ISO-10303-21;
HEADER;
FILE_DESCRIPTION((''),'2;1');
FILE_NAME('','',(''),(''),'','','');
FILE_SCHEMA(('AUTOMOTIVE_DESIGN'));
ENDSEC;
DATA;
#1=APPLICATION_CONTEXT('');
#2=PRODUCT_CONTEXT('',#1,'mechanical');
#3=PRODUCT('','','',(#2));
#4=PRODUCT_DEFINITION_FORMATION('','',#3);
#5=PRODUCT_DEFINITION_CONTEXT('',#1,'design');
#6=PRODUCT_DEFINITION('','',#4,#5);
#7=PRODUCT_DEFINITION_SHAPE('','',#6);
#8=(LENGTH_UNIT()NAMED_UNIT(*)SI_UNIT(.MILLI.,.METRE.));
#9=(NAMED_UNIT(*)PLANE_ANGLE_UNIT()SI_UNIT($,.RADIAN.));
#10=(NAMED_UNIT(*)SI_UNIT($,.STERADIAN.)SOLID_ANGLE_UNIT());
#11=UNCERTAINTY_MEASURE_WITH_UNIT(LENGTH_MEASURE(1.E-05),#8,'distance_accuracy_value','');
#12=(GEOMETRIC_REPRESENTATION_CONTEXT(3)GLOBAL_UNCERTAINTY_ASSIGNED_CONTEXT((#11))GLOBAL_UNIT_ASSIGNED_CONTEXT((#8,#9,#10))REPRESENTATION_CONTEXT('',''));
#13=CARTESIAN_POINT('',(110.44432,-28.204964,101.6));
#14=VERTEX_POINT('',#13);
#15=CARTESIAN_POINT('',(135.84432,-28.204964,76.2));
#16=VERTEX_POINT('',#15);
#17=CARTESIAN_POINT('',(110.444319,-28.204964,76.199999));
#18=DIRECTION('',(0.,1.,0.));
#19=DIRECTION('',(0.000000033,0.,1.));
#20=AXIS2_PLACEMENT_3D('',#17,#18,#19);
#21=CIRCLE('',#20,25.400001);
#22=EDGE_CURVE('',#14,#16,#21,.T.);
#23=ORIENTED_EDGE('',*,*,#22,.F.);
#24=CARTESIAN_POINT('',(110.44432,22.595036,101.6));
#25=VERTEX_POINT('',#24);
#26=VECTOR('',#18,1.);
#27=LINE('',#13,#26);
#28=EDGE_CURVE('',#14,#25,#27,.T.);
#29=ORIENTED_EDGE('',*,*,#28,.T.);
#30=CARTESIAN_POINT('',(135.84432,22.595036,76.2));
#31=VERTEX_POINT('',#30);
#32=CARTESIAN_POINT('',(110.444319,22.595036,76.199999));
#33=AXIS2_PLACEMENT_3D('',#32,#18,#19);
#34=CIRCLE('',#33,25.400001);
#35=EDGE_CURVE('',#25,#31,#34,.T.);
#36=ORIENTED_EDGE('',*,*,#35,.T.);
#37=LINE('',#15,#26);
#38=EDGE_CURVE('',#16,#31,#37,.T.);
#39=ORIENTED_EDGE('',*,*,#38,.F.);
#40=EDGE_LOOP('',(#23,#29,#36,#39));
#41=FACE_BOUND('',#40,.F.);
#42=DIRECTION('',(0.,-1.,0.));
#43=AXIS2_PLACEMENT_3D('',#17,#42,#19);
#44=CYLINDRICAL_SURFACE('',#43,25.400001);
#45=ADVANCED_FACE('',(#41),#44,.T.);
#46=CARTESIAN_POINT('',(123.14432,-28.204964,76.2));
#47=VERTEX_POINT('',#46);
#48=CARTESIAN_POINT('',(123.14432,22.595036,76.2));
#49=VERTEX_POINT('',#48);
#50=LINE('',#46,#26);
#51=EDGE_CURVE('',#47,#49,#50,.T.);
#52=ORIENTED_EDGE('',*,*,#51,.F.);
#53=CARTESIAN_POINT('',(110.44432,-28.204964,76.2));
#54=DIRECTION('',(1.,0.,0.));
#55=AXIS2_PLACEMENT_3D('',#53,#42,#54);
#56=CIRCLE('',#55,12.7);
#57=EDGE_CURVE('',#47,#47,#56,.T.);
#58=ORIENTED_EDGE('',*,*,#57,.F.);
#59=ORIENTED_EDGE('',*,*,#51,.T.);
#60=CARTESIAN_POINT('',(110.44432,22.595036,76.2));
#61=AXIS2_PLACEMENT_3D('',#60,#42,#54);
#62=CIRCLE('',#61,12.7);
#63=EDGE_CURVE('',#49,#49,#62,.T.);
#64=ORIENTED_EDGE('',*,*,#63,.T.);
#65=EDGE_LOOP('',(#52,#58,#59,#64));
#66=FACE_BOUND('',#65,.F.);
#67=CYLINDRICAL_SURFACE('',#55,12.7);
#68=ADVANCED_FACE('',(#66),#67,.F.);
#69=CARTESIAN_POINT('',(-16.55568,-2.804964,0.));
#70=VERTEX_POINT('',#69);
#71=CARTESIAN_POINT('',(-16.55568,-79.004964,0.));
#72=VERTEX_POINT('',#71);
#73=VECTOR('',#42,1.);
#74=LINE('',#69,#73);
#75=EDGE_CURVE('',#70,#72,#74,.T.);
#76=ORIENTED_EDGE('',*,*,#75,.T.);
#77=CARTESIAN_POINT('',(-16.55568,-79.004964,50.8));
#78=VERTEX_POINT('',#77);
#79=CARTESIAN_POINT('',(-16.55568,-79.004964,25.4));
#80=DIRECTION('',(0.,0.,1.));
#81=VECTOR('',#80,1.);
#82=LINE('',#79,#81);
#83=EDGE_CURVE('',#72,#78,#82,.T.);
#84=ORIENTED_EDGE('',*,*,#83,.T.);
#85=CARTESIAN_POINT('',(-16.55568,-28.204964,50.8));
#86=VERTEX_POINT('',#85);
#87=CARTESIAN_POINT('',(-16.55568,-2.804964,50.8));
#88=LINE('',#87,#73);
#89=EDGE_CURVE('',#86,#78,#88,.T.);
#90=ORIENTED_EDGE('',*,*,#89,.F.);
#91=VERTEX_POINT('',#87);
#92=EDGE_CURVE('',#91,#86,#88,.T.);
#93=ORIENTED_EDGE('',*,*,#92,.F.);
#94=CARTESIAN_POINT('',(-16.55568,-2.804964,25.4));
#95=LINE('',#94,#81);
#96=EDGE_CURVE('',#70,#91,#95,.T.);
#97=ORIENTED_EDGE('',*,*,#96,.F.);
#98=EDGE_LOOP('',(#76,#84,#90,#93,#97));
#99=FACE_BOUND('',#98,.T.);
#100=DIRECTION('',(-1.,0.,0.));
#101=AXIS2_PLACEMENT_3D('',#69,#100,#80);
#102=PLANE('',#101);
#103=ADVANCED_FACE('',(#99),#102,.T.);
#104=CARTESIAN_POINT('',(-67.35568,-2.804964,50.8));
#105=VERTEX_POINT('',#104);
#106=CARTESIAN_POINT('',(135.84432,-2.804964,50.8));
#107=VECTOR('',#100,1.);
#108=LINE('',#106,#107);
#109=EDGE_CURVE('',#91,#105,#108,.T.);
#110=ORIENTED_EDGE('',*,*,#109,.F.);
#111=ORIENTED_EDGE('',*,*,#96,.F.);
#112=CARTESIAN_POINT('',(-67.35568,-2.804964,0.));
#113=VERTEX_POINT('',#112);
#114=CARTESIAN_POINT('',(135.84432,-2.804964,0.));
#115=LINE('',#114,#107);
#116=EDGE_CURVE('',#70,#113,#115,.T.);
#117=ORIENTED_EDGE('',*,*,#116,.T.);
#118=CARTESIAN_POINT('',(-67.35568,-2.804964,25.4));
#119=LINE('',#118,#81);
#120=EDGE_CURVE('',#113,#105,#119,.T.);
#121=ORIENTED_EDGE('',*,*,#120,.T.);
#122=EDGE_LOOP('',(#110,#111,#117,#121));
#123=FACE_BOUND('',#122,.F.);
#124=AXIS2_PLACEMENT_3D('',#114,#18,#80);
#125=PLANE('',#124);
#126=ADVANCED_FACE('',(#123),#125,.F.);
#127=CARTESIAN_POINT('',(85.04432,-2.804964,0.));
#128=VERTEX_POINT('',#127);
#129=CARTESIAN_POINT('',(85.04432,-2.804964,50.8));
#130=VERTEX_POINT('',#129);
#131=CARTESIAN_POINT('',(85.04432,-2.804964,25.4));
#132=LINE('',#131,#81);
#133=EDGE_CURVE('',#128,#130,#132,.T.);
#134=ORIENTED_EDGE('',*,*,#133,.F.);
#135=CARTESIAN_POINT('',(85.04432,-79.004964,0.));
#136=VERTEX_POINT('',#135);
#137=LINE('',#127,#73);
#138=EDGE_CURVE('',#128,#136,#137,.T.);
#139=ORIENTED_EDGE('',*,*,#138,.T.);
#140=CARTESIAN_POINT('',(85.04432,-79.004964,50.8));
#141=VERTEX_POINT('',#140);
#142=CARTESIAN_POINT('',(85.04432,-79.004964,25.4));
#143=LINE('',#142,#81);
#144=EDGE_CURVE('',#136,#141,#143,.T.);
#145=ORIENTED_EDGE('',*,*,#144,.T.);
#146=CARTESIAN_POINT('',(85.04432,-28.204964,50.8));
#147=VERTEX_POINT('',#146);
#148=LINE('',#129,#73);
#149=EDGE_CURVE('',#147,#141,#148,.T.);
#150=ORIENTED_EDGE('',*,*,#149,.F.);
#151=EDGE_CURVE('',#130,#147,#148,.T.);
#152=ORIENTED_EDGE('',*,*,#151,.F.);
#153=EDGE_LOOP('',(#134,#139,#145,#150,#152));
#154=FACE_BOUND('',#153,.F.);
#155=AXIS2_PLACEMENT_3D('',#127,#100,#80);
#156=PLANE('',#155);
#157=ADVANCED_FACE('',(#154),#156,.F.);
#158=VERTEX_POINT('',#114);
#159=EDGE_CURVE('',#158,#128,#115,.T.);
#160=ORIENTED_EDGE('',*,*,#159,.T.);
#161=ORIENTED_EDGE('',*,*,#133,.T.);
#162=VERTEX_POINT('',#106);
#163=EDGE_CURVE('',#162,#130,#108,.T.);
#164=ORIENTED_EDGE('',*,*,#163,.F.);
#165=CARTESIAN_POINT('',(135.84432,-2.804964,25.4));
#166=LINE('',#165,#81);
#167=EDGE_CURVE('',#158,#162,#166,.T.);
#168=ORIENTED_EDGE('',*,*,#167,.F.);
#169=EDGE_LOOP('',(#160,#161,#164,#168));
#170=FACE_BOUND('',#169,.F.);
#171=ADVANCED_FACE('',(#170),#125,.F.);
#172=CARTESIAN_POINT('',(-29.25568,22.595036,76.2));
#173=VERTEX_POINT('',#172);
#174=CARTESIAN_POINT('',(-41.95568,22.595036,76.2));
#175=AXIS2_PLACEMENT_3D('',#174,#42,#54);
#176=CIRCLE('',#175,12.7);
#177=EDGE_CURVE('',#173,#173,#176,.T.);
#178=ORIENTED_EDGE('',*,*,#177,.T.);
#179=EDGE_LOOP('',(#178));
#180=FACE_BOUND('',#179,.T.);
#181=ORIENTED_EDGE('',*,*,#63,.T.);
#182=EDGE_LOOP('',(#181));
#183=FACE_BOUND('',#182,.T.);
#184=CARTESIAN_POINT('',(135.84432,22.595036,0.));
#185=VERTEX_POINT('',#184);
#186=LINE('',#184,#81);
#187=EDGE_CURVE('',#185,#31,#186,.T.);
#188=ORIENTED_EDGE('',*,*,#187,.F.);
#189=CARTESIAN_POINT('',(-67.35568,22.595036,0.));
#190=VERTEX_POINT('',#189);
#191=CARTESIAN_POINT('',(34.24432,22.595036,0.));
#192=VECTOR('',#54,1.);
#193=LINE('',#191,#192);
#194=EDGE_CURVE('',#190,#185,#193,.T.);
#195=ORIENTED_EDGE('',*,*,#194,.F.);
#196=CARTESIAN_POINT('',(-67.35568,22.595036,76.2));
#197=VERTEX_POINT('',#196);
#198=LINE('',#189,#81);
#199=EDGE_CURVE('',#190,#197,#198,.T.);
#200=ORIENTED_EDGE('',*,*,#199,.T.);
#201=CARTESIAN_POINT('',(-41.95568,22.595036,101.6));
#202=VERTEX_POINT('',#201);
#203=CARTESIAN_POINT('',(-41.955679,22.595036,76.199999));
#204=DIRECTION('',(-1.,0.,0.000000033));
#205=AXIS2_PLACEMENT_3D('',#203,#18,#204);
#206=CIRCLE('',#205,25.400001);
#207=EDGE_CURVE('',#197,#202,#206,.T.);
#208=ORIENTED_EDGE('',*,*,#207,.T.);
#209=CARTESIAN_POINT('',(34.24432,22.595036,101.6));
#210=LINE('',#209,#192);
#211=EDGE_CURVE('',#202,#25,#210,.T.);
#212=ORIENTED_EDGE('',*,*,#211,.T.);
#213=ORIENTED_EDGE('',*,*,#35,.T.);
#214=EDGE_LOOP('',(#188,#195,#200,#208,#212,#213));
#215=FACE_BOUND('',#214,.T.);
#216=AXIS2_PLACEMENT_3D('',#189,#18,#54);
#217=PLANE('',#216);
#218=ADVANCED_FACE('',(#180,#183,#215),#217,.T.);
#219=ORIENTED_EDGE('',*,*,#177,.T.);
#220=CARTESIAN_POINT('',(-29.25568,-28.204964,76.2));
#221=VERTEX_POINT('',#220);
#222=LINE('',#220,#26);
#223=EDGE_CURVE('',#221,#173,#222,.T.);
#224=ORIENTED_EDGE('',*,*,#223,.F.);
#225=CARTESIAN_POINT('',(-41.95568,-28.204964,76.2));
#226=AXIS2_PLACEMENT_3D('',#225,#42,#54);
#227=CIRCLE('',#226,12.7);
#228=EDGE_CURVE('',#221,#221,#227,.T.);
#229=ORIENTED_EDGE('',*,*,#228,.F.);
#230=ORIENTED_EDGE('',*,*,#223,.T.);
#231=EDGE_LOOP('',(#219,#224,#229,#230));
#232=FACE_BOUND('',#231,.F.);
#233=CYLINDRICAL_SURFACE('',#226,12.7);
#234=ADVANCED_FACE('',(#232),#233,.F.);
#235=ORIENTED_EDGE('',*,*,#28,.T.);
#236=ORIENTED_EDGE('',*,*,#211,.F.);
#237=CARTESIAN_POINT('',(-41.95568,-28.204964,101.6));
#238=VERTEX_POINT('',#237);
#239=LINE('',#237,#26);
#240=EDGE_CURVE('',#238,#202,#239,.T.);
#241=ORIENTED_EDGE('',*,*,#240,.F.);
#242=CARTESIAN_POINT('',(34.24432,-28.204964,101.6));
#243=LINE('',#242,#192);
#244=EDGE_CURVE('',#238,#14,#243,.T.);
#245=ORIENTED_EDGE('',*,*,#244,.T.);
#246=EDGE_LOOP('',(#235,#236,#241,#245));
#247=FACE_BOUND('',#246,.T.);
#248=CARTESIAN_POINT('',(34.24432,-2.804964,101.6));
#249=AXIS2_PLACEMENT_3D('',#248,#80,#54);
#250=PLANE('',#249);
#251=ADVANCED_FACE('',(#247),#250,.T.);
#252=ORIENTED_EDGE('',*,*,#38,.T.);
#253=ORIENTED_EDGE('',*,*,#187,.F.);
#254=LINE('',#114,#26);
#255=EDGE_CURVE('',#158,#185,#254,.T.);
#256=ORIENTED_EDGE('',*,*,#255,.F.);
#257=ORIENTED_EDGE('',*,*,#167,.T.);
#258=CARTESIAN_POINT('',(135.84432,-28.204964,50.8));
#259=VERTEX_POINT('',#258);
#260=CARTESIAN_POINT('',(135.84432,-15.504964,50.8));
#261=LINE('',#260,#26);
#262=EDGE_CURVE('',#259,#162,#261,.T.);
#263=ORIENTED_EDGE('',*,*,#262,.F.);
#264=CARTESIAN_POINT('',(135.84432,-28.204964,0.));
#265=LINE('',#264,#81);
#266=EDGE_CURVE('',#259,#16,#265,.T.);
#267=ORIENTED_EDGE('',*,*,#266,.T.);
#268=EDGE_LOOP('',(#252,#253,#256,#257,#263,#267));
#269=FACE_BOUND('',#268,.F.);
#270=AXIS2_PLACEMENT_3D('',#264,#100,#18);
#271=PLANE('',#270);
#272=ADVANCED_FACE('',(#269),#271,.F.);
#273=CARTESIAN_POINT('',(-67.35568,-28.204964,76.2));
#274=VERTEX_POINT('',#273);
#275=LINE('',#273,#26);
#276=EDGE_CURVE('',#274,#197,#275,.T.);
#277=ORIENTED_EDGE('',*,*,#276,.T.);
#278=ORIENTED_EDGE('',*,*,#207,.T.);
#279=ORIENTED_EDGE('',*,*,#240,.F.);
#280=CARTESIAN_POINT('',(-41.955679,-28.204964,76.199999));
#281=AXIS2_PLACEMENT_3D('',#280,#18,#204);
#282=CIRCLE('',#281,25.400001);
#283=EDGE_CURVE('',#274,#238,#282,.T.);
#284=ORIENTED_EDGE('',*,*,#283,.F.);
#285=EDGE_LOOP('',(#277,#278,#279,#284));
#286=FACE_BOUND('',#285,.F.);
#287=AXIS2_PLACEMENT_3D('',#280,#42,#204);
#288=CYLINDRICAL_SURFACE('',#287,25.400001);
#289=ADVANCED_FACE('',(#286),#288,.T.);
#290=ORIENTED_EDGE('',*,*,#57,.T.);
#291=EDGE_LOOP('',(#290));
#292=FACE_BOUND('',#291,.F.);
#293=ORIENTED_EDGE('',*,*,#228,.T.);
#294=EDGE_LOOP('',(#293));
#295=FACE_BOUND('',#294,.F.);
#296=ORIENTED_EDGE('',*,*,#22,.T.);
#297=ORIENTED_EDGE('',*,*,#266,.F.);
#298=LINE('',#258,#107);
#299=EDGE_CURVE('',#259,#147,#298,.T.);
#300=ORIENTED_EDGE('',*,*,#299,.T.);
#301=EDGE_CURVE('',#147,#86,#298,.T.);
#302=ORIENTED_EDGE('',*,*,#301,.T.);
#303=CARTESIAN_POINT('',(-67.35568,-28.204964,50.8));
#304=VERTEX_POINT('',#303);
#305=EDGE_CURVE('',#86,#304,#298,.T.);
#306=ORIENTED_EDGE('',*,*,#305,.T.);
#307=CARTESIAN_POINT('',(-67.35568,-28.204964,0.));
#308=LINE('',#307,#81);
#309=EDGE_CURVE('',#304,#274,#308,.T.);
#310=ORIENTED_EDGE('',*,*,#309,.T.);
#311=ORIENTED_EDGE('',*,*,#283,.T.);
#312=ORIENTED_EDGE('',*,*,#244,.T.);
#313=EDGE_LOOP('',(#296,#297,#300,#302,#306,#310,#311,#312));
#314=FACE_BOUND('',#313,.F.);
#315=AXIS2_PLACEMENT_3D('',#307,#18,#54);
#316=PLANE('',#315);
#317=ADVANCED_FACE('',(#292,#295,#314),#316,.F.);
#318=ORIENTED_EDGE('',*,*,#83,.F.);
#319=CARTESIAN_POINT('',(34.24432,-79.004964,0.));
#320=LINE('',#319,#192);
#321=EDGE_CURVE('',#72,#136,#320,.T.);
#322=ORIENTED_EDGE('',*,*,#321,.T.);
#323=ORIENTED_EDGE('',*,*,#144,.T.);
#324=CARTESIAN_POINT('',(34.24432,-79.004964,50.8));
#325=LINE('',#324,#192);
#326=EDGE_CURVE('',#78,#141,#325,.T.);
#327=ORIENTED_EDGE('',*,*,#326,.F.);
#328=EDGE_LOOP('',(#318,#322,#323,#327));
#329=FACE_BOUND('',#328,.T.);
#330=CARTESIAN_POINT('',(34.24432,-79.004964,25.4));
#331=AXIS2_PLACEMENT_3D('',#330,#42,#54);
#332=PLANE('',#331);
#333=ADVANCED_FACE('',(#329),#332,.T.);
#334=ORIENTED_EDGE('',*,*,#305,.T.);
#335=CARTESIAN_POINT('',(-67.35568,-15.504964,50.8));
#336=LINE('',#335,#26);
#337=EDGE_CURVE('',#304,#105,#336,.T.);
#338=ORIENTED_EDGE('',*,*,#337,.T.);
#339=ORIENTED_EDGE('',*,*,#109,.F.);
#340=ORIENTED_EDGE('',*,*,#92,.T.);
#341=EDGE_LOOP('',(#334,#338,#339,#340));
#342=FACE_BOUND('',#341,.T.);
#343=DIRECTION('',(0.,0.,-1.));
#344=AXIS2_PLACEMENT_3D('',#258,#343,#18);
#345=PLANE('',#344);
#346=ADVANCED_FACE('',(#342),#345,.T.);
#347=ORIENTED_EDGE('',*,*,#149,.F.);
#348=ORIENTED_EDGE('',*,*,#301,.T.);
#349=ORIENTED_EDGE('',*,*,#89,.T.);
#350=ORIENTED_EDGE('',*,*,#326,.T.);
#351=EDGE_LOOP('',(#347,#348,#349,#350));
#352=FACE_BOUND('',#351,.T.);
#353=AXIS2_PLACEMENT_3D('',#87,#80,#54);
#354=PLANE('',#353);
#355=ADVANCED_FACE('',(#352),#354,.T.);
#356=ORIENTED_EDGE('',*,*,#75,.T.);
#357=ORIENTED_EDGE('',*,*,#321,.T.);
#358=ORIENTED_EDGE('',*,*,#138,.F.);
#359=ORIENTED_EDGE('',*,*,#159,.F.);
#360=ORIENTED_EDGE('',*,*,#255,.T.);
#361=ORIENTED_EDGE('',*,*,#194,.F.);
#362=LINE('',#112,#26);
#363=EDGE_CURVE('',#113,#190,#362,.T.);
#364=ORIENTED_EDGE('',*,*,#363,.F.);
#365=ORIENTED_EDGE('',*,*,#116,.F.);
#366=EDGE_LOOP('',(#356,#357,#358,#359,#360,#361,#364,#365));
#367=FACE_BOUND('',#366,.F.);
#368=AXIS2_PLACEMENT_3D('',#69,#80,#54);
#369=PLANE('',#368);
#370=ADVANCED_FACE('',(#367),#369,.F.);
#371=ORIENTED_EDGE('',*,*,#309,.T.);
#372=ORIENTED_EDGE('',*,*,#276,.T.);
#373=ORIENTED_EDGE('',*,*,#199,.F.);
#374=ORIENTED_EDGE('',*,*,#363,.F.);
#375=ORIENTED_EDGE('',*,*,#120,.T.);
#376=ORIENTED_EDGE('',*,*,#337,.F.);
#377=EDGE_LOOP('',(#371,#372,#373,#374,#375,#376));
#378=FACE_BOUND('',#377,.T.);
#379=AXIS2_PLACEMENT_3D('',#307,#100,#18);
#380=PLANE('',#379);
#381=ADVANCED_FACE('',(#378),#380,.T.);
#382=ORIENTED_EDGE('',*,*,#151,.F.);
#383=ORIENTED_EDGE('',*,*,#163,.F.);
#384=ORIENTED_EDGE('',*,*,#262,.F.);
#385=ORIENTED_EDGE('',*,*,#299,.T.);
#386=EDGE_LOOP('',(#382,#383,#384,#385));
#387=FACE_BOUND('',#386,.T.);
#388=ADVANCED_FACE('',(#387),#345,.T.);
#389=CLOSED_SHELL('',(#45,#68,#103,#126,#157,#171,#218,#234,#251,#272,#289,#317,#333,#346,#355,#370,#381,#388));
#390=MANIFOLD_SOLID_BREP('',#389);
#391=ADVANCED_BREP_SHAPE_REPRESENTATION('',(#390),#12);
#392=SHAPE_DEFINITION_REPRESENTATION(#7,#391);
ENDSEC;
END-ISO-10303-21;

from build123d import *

# Parameters (mm, degrees)
F0_W     = 203.2
F0_H     = 50.8
F1_DEPTH = 101.6
F2_W     = 25.4
F2_H     = 50.8
F3_DEPTH = 203.2
F4_W     = 101.6
F4_H     = 50.8
F5_DEPTH = 76.2
F6_R     = 12.7
F7_DEPTH = 50.8


with BuildPart() as f1:
    # F0 (on Top) → F1 (new body)
    with BuildSketch(Plane.XY):
        with Locations((34.24432, -2.804964)):
            Rectangle(F0_W, F0_H)
    extrude(amount=F1_DEPTH)

    # F2 (on face) → F3 (cut, through all)
    with BuildSketch(Plane.YZ.offset(135.84432)):
        with Locations((-15.504964, 25.4)):
            Rectangle(F2_W, F2_H)
    extrude(amount=-F3_DEPTH, mode=Mode.SUBTRACT)

    # F4 (on face) → F5 (join)
    with BuildSketch(Plane.XZ.offset(2.804964)):
        with Locations((34.24432, 25.4)):
            Rectangle(F4_W, F4_H)
    extrude(amount=F5_DEPTH)

    # F6 (on face) → F7 (cut, through all)
    with BuildSketch(Plane.XZ.offset(28.204964)):
        with Locations((-41.95568, 76.2)):
            Circle(F6_R)
        with Locations((110.44432, 76.2)):
            Circle(F6_R)
        with BuildLine():
            Line((-67.35568, 101.6), (-67.35568, 76.2))
            ThreePointArc((-67.35568, 76.2), (-59.916192, 94.160512), (-41.95568, 101.6))
            Line((-41.95568, 101.6), (-67.35568, 101.6))
        make_face()
        with BuildLine():
            Line((135.84432, 101.6), (110.44432, 101.6))
            ThreePointArc((110.44432, 101.6), (128.404832, 94.160512), (135.84432, 76.2))
            Line((135.84432, 76.2), (135.84432, 101.6))
        make_face()
    extrude(amount=-F7_DEPTH, mode=Mode.SUBTRACT)


solid = f1.part
